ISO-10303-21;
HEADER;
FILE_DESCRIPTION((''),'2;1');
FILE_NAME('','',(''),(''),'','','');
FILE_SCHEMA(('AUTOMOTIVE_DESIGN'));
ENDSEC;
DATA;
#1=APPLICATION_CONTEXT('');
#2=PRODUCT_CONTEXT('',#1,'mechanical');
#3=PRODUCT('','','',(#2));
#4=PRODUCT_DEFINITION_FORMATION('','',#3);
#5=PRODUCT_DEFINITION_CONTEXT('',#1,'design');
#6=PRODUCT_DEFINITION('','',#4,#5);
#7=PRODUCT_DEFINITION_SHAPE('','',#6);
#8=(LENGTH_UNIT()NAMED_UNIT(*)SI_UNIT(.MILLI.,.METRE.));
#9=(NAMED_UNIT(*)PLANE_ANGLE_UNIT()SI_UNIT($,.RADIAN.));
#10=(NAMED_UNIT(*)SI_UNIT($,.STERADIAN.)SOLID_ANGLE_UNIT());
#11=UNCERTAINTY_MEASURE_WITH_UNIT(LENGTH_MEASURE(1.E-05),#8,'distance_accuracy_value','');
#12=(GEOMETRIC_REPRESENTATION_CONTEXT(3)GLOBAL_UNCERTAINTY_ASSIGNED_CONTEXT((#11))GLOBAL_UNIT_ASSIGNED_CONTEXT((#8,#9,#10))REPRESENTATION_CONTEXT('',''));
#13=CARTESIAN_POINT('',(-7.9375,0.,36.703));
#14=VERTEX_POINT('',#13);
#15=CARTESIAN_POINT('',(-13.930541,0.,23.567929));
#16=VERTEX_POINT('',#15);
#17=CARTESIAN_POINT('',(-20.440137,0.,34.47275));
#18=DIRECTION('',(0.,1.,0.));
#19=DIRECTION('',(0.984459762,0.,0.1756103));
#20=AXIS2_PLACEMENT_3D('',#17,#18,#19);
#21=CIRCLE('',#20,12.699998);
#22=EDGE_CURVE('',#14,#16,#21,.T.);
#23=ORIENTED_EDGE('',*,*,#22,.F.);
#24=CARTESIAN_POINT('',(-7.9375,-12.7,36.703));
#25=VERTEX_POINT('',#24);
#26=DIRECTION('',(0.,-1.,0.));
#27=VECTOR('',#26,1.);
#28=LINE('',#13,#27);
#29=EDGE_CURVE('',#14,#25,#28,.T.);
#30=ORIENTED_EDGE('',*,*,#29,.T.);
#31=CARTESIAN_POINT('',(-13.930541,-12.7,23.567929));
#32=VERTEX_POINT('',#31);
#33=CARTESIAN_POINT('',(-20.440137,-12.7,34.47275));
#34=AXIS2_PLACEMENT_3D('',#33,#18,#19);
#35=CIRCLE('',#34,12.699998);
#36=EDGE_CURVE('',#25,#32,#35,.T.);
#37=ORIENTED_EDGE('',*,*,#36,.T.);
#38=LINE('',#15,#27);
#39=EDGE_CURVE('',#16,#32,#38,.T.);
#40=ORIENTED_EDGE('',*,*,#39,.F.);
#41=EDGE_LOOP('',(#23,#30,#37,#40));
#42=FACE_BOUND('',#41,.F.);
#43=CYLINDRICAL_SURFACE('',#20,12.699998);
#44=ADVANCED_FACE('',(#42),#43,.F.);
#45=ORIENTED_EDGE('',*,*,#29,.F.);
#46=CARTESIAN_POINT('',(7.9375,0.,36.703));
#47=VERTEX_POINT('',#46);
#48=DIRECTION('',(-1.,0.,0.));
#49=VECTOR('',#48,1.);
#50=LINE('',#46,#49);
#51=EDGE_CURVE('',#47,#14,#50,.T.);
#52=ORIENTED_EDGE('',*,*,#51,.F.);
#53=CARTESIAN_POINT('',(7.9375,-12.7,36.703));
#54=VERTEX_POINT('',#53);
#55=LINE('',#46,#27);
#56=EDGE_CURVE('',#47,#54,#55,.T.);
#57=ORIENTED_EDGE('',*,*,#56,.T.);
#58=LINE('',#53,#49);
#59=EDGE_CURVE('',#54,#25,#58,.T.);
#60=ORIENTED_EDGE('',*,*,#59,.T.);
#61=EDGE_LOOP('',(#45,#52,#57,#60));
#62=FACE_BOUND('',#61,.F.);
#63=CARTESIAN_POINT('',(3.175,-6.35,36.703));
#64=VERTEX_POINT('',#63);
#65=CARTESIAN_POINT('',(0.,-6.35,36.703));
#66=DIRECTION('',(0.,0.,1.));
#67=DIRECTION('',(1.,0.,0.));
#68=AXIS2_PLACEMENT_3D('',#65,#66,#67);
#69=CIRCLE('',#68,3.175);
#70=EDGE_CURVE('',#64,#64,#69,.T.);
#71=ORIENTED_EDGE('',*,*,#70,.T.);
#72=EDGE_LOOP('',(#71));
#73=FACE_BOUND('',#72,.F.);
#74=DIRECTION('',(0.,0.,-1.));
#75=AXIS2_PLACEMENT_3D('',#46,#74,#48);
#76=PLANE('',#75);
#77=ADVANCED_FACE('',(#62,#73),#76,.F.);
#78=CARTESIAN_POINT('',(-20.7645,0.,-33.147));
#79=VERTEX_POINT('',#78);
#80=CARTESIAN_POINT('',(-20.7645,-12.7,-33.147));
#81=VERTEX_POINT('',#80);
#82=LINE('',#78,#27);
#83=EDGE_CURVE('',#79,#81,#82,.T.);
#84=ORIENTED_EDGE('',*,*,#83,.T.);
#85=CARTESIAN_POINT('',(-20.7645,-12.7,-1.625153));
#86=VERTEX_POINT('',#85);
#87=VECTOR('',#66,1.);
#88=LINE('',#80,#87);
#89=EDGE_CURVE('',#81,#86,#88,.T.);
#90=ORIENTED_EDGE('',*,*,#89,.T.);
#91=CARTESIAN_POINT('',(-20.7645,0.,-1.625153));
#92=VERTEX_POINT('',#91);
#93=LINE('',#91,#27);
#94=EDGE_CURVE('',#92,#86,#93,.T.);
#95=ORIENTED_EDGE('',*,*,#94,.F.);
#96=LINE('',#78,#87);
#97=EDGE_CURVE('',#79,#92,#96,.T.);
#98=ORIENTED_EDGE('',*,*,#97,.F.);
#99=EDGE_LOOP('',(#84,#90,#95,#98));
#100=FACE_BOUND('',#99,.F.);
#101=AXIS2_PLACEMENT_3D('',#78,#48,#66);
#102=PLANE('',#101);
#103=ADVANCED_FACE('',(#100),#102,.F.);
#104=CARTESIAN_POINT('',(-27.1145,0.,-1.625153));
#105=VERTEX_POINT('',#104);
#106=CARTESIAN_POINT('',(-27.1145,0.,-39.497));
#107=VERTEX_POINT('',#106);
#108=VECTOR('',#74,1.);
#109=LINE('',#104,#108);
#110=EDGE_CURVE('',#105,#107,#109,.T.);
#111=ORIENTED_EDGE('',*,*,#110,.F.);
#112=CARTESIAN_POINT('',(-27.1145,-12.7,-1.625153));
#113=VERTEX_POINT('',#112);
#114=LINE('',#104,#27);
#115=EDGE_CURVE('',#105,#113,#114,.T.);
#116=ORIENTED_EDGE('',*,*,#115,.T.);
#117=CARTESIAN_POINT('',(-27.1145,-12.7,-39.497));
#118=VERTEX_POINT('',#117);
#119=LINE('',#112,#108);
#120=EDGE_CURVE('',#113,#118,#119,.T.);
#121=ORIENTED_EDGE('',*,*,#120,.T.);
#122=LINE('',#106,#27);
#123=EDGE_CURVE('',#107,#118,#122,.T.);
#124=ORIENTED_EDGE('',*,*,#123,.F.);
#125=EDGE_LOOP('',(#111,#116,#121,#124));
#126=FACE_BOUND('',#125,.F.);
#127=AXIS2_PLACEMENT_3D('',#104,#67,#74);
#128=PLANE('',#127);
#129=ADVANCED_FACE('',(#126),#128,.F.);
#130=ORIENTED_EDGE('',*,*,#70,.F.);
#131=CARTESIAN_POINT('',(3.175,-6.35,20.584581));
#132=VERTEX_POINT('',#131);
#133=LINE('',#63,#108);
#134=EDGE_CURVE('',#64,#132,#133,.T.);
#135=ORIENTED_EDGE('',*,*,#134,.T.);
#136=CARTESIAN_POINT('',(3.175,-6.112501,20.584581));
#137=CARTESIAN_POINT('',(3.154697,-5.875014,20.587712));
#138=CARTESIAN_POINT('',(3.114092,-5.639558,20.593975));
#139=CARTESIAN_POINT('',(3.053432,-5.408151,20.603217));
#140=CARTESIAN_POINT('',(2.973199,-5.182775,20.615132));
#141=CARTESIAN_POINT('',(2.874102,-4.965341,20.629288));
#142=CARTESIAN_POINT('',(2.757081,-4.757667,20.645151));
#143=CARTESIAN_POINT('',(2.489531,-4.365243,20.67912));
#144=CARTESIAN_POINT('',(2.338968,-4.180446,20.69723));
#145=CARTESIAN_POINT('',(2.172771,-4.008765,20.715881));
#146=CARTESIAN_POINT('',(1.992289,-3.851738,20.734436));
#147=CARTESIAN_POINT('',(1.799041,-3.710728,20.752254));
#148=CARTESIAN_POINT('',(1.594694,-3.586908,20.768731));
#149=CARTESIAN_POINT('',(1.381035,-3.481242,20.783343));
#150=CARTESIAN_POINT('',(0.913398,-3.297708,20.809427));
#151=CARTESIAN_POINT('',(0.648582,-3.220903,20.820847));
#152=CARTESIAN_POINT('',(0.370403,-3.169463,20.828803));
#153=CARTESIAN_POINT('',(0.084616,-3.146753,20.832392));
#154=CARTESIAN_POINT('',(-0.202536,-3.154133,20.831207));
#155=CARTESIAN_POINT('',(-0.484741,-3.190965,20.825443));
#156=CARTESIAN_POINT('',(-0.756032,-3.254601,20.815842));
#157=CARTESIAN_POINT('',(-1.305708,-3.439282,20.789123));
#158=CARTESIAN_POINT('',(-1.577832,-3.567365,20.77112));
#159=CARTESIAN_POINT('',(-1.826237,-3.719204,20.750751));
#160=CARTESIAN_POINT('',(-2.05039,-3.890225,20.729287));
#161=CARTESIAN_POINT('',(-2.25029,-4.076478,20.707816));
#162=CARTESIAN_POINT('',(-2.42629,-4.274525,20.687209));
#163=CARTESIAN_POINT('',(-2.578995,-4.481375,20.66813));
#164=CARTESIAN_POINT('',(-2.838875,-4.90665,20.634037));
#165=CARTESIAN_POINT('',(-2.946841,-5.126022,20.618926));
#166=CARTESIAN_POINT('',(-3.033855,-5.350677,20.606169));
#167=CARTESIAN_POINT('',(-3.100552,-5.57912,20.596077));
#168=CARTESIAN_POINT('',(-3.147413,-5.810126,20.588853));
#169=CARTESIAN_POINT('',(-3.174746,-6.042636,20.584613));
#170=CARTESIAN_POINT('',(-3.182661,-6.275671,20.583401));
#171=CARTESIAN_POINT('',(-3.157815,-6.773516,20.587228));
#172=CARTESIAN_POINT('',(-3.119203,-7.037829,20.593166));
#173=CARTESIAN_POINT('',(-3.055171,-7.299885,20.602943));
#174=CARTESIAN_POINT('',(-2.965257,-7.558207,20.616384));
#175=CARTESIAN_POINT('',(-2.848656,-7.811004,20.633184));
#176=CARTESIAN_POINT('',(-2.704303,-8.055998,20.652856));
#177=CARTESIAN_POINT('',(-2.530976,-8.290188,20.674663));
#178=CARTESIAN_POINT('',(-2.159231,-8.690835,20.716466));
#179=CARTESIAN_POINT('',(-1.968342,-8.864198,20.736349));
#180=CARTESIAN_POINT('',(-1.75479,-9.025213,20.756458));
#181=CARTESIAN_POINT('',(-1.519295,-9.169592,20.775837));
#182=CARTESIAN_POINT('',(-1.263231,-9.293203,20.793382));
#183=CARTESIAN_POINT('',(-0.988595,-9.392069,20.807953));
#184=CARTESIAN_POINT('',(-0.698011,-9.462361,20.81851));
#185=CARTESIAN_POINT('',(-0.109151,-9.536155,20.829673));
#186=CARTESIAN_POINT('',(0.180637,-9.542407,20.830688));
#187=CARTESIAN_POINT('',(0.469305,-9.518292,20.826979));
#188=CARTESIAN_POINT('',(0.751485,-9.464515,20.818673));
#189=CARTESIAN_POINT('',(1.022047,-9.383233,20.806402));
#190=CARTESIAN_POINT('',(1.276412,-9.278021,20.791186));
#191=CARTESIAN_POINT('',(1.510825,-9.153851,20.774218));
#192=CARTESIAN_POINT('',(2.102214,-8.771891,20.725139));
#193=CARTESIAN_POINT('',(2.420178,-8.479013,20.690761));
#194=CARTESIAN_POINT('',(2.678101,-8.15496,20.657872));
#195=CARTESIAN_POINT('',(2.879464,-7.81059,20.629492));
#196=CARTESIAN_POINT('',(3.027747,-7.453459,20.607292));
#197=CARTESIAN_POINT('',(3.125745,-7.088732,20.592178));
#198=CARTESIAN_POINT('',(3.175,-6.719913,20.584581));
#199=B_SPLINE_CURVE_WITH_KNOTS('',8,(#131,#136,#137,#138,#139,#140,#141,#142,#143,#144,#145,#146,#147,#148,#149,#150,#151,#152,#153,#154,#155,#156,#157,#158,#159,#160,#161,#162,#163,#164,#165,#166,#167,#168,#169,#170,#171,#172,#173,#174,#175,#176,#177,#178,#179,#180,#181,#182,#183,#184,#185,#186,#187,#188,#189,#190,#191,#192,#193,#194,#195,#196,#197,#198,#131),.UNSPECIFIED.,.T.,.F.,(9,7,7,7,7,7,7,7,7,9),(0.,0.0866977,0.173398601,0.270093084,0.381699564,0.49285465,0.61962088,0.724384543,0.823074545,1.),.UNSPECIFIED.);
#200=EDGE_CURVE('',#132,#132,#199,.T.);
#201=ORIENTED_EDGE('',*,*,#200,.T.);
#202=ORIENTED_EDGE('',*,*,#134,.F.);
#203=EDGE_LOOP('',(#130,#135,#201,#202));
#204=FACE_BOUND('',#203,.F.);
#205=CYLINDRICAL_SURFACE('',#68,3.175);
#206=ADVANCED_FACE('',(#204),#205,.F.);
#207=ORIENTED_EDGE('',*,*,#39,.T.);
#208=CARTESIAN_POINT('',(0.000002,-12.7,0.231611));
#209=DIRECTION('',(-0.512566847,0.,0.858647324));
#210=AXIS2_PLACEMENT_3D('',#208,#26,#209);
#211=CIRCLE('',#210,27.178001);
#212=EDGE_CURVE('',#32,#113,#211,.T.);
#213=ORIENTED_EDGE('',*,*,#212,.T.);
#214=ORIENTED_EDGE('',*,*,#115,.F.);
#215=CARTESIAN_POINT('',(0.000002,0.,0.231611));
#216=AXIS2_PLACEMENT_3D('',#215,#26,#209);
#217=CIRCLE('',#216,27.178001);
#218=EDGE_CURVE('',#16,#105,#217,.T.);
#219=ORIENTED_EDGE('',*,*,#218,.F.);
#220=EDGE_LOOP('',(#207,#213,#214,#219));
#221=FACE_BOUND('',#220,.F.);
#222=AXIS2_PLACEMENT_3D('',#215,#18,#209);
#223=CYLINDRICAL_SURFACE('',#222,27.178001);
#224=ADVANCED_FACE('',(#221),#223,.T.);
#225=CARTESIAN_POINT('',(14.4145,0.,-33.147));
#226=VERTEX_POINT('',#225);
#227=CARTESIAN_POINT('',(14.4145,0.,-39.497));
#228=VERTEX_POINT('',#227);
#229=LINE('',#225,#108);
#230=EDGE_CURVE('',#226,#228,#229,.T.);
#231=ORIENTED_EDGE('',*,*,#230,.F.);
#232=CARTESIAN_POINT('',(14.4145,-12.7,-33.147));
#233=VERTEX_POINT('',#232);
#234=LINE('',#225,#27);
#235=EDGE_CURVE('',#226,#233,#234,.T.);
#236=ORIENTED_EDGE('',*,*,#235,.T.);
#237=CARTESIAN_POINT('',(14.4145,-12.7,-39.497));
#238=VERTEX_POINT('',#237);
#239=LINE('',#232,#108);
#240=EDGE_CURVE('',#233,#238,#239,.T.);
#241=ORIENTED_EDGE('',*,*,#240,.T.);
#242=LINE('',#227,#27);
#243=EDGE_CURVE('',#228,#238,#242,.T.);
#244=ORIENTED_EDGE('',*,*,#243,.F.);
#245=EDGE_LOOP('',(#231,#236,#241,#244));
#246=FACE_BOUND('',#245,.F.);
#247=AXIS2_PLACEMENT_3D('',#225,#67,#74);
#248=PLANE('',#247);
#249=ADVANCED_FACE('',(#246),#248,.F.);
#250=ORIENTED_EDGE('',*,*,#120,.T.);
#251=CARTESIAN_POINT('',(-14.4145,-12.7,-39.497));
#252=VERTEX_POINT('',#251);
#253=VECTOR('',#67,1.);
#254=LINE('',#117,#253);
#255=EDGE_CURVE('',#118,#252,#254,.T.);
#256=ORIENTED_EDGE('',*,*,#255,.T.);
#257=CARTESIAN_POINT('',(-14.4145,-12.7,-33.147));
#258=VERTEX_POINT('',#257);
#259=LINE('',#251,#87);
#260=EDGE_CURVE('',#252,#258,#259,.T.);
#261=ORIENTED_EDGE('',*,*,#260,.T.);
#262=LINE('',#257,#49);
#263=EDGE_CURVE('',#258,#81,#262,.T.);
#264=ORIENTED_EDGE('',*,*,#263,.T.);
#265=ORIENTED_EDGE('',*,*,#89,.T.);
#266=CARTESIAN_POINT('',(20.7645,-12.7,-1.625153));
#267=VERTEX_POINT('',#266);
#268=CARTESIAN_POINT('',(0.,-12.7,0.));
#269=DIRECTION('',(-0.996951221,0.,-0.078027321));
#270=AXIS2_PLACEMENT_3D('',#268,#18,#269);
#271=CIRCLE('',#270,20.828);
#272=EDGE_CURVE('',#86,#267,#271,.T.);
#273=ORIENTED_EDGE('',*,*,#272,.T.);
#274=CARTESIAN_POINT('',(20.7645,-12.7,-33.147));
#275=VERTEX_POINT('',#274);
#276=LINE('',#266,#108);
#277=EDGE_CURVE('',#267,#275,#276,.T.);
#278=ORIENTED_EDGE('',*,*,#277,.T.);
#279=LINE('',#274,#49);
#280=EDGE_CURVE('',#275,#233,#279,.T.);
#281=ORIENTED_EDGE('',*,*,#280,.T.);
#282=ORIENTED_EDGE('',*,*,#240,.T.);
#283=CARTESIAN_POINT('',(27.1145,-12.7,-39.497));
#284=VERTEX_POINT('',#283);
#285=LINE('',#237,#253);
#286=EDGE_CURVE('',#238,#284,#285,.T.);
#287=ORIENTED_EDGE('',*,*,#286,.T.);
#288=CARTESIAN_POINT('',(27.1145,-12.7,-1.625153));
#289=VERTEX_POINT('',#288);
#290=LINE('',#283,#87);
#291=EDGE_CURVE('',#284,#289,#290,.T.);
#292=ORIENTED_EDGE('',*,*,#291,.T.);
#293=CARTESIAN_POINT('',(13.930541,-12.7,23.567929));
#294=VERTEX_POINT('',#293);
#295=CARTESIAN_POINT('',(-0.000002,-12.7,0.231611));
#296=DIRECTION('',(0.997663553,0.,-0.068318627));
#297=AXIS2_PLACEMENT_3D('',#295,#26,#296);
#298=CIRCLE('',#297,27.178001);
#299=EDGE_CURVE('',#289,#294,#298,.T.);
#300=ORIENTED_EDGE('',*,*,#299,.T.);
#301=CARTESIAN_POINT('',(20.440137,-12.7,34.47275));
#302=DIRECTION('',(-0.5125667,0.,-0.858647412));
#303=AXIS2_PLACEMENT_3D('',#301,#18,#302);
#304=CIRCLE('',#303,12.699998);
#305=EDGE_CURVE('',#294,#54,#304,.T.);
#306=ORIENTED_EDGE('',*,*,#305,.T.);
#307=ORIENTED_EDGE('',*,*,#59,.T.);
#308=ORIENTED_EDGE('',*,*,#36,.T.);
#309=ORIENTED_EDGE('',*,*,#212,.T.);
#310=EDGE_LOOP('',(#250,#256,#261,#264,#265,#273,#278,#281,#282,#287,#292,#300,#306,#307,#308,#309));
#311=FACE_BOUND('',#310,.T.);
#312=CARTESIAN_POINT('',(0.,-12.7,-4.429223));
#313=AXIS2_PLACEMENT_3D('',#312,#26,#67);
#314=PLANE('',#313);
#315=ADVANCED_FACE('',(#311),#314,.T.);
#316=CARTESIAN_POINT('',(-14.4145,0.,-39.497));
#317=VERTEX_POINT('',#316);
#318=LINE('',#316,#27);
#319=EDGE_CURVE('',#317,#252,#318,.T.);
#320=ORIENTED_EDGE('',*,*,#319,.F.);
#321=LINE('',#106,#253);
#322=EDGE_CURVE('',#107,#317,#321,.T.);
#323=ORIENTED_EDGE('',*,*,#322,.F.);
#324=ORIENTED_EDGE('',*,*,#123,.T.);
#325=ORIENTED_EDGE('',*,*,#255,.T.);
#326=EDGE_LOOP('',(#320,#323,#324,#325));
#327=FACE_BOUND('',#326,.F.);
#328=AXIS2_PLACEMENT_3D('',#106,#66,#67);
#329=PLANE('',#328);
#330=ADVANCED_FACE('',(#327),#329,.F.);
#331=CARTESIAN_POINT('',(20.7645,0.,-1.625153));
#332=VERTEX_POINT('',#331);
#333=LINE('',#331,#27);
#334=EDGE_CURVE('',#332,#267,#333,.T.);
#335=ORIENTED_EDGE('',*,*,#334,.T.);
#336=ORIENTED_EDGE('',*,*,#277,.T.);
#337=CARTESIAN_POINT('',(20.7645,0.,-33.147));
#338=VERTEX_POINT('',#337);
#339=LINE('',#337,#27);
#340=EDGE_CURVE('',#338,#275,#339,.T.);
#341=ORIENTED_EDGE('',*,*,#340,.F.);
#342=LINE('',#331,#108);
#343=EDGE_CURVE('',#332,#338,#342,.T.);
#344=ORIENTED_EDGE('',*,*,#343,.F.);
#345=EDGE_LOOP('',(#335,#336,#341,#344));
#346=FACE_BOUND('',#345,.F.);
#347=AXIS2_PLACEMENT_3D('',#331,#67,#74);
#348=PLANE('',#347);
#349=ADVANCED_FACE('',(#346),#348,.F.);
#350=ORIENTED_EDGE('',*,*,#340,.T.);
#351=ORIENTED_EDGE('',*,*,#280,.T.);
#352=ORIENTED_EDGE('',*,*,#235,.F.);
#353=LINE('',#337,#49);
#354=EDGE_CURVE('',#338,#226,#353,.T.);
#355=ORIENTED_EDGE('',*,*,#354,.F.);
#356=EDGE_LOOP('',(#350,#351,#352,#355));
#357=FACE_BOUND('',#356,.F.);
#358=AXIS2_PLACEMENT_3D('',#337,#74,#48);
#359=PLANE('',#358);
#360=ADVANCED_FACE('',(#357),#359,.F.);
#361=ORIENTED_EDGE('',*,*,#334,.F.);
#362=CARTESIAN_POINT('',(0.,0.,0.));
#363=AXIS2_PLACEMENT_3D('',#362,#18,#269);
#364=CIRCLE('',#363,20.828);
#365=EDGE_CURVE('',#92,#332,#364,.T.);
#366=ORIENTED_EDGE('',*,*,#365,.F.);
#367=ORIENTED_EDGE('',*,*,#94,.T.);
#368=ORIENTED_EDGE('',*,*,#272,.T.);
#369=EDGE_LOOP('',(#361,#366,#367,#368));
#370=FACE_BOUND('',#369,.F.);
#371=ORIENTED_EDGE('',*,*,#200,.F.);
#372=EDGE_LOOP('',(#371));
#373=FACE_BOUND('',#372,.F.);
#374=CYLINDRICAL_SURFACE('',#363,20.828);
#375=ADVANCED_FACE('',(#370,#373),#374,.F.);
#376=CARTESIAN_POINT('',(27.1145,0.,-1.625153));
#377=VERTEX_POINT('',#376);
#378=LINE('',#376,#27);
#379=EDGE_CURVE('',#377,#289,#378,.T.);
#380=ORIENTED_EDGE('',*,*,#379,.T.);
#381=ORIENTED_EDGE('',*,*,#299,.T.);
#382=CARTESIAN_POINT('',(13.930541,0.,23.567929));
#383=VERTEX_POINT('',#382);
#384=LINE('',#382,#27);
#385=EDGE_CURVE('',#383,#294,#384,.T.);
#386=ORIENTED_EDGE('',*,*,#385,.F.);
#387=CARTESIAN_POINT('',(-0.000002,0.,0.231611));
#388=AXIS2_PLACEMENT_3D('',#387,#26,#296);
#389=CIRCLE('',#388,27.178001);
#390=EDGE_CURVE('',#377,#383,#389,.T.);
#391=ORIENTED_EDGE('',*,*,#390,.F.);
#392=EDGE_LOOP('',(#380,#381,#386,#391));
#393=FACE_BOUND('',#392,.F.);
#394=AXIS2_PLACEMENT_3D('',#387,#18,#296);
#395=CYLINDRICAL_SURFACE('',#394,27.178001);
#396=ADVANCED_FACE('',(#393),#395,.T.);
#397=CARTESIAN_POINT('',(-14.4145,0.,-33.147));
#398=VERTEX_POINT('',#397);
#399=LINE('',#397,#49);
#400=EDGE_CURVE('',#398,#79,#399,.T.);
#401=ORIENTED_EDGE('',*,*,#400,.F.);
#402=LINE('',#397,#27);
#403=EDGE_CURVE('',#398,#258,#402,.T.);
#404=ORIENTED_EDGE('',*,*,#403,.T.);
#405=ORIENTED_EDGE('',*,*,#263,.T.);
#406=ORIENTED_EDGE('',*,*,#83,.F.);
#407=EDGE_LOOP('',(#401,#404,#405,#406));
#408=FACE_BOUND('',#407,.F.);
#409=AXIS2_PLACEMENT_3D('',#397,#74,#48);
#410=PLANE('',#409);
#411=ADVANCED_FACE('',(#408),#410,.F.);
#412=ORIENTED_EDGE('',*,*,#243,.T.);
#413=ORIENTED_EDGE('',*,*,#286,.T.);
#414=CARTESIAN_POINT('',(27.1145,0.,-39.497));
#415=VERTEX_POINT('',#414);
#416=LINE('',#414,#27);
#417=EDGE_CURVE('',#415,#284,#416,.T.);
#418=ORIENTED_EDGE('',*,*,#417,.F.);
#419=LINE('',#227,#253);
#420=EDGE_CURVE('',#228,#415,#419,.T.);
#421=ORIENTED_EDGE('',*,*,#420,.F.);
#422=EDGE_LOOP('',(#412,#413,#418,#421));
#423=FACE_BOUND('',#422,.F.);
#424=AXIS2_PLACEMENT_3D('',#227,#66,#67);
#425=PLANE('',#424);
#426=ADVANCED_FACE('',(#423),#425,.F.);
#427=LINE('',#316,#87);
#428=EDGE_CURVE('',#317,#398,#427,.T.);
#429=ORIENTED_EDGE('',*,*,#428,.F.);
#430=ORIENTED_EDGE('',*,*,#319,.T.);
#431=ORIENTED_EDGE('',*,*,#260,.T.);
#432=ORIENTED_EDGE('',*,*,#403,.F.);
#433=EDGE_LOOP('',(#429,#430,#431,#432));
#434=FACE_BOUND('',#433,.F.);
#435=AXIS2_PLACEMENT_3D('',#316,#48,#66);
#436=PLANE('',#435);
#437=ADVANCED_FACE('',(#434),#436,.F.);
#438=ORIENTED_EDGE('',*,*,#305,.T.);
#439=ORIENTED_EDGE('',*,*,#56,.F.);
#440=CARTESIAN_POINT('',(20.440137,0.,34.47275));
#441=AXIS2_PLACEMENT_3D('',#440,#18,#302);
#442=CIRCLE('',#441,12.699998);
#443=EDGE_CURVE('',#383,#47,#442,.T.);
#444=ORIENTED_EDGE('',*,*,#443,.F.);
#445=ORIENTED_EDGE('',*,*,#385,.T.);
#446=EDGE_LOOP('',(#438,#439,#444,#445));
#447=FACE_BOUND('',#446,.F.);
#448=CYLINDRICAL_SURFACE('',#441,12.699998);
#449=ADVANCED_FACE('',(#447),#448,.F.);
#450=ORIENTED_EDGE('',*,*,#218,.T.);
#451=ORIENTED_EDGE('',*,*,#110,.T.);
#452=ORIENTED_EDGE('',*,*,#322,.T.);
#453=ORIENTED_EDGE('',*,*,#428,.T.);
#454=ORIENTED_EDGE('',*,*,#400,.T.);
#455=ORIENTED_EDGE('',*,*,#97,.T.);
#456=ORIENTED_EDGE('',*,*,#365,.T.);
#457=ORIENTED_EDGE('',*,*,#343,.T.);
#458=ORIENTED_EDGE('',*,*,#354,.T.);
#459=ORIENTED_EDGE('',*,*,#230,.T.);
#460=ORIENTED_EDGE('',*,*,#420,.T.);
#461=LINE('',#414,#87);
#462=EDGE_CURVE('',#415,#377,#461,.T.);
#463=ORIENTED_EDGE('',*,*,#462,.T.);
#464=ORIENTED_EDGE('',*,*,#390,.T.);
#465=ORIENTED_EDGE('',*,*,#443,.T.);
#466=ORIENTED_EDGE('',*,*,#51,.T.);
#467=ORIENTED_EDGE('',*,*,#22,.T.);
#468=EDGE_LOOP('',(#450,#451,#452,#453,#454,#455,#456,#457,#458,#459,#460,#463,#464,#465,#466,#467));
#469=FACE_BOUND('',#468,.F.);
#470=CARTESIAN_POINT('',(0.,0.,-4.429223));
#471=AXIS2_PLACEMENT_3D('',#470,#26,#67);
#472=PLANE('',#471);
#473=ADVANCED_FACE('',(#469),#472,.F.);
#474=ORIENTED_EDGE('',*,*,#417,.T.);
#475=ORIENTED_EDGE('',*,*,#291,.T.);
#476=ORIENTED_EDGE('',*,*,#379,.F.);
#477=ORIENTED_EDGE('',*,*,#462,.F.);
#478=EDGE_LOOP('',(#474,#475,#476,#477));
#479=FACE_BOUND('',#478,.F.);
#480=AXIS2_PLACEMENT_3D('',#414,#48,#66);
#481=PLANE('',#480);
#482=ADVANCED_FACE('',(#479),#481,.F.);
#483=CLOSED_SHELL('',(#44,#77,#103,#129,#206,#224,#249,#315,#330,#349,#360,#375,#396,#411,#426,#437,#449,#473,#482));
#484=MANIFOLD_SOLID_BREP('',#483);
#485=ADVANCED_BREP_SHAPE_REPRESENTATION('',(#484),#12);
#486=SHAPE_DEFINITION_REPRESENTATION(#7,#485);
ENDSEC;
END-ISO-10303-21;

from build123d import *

# Parameters (mm, degrees)
F1_DEPTH = 12.7
F2_R     = 3.175
F3_DEPTH = 25.4


with BuildPart() as f1:
    # F0 (on Front) → F1 (new body)
    with BuildSketch(Plane.XZ):
        with BuildLine():
            Line((-20.7645, -33.147), (-20.7645, -1.625153))
            ThreePointArc((-20.7645, -1.625153), (0, 20.828), (20.7645, -1.625153))
            Line((20.7645, -1.625153), (20.7645, -33.147))
            Line((20.7645, -33.147), (14.4145, -33.147))
            Line((14.4145, -33.147), (14.4145, -39.497))
            Line((14.4145, -39.497), (27.1145, -39.497))
            Line((27.1145, -39.497), (27.1145, -1.625153))
            ThreePointArc((27.1145, -1.625153), (24.080006, 12.833079), (13.930541, 23.567929))
            ThreePointArc((13.930541, 23.567929), (8.88597, 29.201016), (7.9375, 36.703))
            Line((7.9375, 36.703), (0, 36.703))
            Line((0, 36.703), (-7.9375, 36.703))
            ThreePointArc((-7.9375, 36.703), (-8.88597, 29.201016), (-13.930541, 23.567929))
            ThreePointArc((-13.930541, 23.567929), (-24.080006, 12.833079), (-27.1145, -1.625153))
            Line((-27.1145, -1.625153), (-27.1145, -39.497))
            Line((-27.1145, -39.497), (-14.4145, -39.497))
            Line((-14.4145, -39.497), (-14.4145, -33.147))
            Line((-14.4145, -33.147), (-20.7645, -33.147))
        make_face()
    extrude(amount=F1_DEPTH)

    # F2 (on face) → F3 (cut)
    with BuildSketch(Plane.XY.offset(36.703)):
        with Locations((0, -6.35)):
            Circle(F2_R)
    extrude(amount=-F3_DEPTH, mode=Mode.SUBTRACT)


solid = f1.part
